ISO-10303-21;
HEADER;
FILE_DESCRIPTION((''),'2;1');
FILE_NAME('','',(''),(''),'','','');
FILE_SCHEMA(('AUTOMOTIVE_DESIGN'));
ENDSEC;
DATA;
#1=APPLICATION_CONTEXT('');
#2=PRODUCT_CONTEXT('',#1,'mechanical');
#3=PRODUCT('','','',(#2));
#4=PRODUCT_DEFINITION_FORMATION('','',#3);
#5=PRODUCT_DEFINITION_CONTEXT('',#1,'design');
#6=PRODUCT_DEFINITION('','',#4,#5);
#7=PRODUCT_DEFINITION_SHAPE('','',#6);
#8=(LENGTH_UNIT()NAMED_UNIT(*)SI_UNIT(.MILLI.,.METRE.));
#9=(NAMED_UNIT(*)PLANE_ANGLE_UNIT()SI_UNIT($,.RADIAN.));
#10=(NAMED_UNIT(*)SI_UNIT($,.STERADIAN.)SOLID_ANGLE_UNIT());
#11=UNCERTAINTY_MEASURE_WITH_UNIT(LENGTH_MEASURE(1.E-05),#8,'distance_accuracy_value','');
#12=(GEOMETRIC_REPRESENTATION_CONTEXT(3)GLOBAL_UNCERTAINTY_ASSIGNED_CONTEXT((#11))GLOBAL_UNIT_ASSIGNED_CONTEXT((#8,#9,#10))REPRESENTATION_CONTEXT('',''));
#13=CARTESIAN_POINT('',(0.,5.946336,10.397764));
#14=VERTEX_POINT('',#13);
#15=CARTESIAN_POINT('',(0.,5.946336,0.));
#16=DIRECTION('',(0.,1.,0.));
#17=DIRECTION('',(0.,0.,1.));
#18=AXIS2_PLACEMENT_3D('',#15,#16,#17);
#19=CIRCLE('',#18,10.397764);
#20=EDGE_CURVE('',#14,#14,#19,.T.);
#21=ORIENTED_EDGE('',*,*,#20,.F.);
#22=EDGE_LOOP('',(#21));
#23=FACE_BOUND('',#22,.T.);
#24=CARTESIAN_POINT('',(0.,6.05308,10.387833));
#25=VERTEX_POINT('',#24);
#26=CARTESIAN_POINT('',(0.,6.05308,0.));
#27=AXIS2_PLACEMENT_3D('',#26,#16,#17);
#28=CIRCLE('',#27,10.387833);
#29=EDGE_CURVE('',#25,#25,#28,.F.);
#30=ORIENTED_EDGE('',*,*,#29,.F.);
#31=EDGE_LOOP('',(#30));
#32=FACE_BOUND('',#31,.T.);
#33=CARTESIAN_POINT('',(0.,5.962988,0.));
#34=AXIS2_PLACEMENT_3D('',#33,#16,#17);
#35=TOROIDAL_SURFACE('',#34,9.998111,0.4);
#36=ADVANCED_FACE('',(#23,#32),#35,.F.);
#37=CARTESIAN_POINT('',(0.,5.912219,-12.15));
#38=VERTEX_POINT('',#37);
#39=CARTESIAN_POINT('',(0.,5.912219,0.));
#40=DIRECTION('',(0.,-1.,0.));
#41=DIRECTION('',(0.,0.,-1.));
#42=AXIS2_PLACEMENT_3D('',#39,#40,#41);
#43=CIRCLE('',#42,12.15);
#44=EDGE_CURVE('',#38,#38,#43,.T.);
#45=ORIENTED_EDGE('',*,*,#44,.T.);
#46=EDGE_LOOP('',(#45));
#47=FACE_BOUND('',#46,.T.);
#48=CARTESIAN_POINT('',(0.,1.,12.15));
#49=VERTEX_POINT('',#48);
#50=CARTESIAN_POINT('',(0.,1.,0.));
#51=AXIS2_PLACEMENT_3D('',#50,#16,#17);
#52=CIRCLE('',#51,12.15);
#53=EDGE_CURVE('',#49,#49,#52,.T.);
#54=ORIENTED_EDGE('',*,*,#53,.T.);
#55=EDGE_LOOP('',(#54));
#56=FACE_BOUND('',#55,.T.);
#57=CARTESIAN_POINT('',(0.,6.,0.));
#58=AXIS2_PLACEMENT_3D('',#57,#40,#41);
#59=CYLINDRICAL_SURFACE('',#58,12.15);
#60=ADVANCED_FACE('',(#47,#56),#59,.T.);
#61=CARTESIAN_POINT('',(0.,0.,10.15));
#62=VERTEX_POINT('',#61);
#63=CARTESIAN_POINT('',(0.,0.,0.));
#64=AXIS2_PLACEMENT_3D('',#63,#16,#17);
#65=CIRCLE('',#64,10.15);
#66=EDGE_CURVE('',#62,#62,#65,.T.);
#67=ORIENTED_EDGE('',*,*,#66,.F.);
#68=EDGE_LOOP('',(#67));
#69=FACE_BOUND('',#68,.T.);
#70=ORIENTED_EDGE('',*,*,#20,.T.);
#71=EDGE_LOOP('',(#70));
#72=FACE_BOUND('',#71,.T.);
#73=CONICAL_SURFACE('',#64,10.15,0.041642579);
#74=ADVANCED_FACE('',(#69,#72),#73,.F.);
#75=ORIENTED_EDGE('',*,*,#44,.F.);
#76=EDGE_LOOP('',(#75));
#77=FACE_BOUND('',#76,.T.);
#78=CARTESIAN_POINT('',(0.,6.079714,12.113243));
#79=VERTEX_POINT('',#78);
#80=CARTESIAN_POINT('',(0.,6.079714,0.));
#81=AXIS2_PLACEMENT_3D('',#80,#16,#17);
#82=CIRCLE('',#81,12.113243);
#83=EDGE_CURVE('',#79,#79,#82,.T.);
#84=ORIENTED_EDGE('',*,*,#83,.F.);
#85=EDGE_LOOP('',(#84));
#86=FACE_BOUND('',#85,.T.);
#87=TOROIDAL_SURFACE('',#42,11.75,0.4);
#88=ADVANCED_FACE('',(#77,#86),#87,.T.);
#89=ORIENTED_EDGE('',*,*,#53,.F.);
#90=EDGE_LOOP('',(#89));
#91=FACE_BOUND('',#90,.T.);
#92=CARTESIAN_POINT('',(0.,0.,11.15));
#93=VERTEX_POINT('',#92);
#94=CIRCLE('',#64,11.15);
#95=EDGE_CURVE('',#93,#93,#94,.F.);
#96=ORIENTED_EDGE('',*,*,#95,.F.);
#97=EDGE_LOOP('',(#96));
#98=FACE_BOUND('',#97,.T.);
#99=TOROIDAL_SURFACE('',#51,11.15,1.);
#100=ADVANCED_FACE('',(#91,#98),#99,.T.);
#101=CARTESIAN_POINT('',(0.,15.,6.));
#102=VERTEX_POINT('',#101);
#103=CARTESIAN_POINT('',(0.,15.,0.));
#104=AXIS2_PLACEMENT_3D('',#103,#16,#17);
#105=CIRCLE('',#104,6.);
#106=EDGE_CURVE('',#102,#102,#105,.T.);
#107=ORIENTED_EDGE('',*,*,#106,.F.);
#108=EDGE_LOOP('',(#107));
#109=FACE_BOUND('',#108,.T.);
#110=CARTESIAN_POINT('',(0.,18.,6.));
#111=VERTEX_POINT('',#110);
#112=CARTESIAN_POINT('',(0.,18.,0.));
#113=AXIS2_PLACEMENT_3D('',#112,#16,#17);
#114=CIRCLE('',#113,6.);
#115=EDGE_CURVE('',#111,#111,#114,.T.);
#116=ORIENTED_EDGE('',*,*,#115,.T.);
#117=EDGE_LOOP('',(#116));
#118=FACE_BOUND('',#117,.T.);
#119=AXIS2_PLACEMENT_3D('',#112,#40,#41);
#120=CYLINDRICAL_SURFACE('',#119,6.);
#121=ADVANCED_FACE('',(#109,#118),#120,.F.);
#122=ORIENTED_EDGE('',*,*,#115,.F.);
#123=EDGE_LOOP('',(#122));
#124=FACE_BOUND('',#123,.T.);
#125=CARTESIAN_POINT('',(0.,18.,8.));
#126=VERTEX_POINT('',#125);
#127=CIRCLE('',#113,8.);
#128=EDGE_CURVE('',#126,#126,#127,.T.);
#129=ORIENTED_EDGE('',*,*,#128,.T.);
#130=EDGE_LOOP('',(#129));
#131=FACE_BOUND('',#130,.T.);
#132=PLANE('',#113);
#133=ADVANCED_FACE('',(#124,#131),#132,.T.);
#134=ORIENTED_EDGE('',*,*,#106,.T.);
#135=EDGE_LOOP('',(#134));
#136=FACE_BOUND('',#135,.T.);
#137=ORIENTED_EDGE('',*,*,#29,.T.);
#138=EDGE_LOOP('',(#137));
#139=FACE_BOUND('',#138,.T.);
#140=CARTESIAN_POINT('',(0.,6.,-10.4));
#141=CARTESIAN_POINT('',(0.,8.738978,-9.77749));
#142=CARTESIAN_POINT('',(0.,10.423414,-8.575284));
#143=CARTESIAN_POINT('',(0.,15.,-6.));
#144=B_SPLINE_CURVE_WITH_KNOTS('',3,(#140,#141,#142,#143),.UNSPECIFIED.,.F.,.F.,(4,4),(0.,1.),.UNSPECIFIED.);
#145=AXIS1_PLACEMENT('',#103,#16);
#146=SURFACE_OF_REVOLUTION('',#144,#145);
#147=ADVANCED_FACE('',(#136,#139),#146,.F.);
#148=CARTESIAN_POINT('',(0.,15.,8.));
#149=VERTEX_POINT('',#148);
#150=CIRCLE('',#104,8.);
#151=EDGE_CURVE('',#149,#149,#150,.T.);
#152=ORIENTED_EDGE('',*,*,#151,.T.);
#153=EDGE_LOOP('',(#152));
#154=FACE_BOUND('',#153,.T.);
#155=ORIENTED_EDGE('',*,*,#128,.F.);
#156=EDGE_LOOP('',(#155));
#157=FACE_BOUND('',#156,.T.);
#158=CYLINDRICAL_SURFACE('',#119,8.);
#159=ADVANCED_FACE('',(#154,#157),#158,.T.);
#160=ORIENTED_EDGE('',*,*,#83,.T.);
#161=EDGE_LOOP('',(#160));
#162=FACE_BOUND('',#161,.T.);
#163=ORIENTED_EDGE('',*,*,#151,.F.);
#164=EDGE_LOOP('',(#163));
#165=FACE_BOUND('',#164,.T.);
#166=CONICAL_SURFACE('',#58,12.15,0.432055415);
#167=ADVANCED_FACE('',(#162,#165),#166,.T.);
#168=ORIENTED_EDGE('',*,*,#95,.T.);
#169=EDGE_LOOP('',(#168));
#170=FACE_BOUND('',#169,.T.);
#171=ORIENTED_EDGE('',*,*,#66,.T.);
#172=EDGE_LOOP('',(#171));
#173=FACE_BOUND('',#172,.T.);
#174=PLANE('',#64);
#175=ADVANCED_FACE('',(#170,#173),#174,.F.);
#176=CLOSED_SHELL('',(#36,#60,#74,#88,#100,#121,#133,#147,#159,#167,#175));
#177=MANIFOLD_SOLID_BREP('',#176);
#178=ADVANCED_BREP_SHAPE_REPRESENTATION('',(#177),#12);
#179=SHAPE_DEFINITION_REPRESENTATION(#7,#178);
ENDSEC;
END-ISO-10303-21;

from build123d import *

# Parameters (mm, degrees)
SZKIC1_R                          = 12.15
SZKIC1_R_2                        = 10.15
WYCI_GNI_CIE_CIENKA_CIANKA1_DEPTH = 6
ZAOKR_GLENIE2_R                   = 1
ZAOKR_GLENIE3_R                   = 0.4
SZKIC6_R                          = 8
SZKIC6_R_2                        = 6
DODANIE_WYCI_GNI_CIE1_DEPTH       = 3


with BuildPart() as part:
    # Szkic1 → Wyciągnięcie-cienka ścianka1 (new body)
    with BuildSketch(Plane(origin=(0, 0, 0), x_dir=(1, 0, 0), z_dir=(0, 1, 0))):
        Circle(SZKIC1_R)
        Circle(SZKIC1_R_2, mode=Mode.SUBTRACT)
    extrude(amount=WYCI_GNI_CIE_CIENKA_CIANKA1_DEPTH)

    # Zaokrąglenie2
    zaokr_glenie2_edges = [part.edges().sort_by_distance(p)[0] for p in [
        (-12.15, 0, 0),
    ]]
    fillet(zaokr_glenie2_edges, radius=ZAOKR_GLENIE2_R)

    # Szkic4 → Wycięcie-obrót1 (revolve, cut)
    with BuildSketch(Plane(origin=(0, 0, 0), x_dir=(0, 0, -1), z_dir=(1, 0, 0)), mode=Mode.PRIVATE) as wyci_cie_obr_t1_sk:
        Polygon((0, 0), (10.15, 0), (10.4, 6), (0, 6), align=None)
    revolve(wyci_cie_obr_t1_sk.sketch.rotate(Axis((0, 6, 0), (0, -1, 0)), 180), axis=Axis((0, 6, 0), (0, -1, 0)), mode=Mode.SUBTRACT)

    # Szkic5 → Obrót1 (revolve)
    with BuildSketch(Plane(origin=(0, 0, 0), x_dir=(0, 0, -1), z_dir=(1, 0, 0)), mode=Mode.PRIVATE) as obr_t1_sk:
        with BuildLine():
            add(Edge.make_bspline(
                [(10.4, 6), (9.777490232, 8.738978154), (8.575284138, 10.423413973), (6, 15)],
                knots=[0, 0, 0, 0, 1, 1, 1, 1], degree=3))
            Line((10.4, 6), (12.15, 6))
            Line((12.15, 6), (8, 15))
            Line((8, 15), (6, 15))
        make_face()
    revolve(obr_t1_sk.sketch.rotate(Axis((0, 15, 0), (0, -1, 0)), 180), axis=Axis((0, 15, 0), (0, -1, 0)))

    # Zaokrąglenie3
    zaokr_glenie3_edges = [part.edges().sort_by_distance(p)[0] for p in [
        (0, 6, -10.4),
        (8.591347391, 6, 8.591347391),
    ]]
    fillet(zaokr_glenie3_edges, radius=ZAOKR_GLENIE3_R)

    # Szkic6 → Dodanie-wyciągnięcie1 (add)
    with BuildSketch(Plane(origin=(0, 15, 0), x_dir=(1, 0, 0), z_dir=(0, 1, 0))):
        with Locations(Location((0, 0, 0), (0, 0, 270))):
            Circle(SZKIC6_R)
        with Locations(Location((0, 0, 0), (0, 0, 270))):
            Circle(SZKIC6_R_2, mode=Mode.SUBTRACT)
    extrude(amount=DODANIE_WYCI_GNI_CIE1_DEPTH)


solid = part.part
